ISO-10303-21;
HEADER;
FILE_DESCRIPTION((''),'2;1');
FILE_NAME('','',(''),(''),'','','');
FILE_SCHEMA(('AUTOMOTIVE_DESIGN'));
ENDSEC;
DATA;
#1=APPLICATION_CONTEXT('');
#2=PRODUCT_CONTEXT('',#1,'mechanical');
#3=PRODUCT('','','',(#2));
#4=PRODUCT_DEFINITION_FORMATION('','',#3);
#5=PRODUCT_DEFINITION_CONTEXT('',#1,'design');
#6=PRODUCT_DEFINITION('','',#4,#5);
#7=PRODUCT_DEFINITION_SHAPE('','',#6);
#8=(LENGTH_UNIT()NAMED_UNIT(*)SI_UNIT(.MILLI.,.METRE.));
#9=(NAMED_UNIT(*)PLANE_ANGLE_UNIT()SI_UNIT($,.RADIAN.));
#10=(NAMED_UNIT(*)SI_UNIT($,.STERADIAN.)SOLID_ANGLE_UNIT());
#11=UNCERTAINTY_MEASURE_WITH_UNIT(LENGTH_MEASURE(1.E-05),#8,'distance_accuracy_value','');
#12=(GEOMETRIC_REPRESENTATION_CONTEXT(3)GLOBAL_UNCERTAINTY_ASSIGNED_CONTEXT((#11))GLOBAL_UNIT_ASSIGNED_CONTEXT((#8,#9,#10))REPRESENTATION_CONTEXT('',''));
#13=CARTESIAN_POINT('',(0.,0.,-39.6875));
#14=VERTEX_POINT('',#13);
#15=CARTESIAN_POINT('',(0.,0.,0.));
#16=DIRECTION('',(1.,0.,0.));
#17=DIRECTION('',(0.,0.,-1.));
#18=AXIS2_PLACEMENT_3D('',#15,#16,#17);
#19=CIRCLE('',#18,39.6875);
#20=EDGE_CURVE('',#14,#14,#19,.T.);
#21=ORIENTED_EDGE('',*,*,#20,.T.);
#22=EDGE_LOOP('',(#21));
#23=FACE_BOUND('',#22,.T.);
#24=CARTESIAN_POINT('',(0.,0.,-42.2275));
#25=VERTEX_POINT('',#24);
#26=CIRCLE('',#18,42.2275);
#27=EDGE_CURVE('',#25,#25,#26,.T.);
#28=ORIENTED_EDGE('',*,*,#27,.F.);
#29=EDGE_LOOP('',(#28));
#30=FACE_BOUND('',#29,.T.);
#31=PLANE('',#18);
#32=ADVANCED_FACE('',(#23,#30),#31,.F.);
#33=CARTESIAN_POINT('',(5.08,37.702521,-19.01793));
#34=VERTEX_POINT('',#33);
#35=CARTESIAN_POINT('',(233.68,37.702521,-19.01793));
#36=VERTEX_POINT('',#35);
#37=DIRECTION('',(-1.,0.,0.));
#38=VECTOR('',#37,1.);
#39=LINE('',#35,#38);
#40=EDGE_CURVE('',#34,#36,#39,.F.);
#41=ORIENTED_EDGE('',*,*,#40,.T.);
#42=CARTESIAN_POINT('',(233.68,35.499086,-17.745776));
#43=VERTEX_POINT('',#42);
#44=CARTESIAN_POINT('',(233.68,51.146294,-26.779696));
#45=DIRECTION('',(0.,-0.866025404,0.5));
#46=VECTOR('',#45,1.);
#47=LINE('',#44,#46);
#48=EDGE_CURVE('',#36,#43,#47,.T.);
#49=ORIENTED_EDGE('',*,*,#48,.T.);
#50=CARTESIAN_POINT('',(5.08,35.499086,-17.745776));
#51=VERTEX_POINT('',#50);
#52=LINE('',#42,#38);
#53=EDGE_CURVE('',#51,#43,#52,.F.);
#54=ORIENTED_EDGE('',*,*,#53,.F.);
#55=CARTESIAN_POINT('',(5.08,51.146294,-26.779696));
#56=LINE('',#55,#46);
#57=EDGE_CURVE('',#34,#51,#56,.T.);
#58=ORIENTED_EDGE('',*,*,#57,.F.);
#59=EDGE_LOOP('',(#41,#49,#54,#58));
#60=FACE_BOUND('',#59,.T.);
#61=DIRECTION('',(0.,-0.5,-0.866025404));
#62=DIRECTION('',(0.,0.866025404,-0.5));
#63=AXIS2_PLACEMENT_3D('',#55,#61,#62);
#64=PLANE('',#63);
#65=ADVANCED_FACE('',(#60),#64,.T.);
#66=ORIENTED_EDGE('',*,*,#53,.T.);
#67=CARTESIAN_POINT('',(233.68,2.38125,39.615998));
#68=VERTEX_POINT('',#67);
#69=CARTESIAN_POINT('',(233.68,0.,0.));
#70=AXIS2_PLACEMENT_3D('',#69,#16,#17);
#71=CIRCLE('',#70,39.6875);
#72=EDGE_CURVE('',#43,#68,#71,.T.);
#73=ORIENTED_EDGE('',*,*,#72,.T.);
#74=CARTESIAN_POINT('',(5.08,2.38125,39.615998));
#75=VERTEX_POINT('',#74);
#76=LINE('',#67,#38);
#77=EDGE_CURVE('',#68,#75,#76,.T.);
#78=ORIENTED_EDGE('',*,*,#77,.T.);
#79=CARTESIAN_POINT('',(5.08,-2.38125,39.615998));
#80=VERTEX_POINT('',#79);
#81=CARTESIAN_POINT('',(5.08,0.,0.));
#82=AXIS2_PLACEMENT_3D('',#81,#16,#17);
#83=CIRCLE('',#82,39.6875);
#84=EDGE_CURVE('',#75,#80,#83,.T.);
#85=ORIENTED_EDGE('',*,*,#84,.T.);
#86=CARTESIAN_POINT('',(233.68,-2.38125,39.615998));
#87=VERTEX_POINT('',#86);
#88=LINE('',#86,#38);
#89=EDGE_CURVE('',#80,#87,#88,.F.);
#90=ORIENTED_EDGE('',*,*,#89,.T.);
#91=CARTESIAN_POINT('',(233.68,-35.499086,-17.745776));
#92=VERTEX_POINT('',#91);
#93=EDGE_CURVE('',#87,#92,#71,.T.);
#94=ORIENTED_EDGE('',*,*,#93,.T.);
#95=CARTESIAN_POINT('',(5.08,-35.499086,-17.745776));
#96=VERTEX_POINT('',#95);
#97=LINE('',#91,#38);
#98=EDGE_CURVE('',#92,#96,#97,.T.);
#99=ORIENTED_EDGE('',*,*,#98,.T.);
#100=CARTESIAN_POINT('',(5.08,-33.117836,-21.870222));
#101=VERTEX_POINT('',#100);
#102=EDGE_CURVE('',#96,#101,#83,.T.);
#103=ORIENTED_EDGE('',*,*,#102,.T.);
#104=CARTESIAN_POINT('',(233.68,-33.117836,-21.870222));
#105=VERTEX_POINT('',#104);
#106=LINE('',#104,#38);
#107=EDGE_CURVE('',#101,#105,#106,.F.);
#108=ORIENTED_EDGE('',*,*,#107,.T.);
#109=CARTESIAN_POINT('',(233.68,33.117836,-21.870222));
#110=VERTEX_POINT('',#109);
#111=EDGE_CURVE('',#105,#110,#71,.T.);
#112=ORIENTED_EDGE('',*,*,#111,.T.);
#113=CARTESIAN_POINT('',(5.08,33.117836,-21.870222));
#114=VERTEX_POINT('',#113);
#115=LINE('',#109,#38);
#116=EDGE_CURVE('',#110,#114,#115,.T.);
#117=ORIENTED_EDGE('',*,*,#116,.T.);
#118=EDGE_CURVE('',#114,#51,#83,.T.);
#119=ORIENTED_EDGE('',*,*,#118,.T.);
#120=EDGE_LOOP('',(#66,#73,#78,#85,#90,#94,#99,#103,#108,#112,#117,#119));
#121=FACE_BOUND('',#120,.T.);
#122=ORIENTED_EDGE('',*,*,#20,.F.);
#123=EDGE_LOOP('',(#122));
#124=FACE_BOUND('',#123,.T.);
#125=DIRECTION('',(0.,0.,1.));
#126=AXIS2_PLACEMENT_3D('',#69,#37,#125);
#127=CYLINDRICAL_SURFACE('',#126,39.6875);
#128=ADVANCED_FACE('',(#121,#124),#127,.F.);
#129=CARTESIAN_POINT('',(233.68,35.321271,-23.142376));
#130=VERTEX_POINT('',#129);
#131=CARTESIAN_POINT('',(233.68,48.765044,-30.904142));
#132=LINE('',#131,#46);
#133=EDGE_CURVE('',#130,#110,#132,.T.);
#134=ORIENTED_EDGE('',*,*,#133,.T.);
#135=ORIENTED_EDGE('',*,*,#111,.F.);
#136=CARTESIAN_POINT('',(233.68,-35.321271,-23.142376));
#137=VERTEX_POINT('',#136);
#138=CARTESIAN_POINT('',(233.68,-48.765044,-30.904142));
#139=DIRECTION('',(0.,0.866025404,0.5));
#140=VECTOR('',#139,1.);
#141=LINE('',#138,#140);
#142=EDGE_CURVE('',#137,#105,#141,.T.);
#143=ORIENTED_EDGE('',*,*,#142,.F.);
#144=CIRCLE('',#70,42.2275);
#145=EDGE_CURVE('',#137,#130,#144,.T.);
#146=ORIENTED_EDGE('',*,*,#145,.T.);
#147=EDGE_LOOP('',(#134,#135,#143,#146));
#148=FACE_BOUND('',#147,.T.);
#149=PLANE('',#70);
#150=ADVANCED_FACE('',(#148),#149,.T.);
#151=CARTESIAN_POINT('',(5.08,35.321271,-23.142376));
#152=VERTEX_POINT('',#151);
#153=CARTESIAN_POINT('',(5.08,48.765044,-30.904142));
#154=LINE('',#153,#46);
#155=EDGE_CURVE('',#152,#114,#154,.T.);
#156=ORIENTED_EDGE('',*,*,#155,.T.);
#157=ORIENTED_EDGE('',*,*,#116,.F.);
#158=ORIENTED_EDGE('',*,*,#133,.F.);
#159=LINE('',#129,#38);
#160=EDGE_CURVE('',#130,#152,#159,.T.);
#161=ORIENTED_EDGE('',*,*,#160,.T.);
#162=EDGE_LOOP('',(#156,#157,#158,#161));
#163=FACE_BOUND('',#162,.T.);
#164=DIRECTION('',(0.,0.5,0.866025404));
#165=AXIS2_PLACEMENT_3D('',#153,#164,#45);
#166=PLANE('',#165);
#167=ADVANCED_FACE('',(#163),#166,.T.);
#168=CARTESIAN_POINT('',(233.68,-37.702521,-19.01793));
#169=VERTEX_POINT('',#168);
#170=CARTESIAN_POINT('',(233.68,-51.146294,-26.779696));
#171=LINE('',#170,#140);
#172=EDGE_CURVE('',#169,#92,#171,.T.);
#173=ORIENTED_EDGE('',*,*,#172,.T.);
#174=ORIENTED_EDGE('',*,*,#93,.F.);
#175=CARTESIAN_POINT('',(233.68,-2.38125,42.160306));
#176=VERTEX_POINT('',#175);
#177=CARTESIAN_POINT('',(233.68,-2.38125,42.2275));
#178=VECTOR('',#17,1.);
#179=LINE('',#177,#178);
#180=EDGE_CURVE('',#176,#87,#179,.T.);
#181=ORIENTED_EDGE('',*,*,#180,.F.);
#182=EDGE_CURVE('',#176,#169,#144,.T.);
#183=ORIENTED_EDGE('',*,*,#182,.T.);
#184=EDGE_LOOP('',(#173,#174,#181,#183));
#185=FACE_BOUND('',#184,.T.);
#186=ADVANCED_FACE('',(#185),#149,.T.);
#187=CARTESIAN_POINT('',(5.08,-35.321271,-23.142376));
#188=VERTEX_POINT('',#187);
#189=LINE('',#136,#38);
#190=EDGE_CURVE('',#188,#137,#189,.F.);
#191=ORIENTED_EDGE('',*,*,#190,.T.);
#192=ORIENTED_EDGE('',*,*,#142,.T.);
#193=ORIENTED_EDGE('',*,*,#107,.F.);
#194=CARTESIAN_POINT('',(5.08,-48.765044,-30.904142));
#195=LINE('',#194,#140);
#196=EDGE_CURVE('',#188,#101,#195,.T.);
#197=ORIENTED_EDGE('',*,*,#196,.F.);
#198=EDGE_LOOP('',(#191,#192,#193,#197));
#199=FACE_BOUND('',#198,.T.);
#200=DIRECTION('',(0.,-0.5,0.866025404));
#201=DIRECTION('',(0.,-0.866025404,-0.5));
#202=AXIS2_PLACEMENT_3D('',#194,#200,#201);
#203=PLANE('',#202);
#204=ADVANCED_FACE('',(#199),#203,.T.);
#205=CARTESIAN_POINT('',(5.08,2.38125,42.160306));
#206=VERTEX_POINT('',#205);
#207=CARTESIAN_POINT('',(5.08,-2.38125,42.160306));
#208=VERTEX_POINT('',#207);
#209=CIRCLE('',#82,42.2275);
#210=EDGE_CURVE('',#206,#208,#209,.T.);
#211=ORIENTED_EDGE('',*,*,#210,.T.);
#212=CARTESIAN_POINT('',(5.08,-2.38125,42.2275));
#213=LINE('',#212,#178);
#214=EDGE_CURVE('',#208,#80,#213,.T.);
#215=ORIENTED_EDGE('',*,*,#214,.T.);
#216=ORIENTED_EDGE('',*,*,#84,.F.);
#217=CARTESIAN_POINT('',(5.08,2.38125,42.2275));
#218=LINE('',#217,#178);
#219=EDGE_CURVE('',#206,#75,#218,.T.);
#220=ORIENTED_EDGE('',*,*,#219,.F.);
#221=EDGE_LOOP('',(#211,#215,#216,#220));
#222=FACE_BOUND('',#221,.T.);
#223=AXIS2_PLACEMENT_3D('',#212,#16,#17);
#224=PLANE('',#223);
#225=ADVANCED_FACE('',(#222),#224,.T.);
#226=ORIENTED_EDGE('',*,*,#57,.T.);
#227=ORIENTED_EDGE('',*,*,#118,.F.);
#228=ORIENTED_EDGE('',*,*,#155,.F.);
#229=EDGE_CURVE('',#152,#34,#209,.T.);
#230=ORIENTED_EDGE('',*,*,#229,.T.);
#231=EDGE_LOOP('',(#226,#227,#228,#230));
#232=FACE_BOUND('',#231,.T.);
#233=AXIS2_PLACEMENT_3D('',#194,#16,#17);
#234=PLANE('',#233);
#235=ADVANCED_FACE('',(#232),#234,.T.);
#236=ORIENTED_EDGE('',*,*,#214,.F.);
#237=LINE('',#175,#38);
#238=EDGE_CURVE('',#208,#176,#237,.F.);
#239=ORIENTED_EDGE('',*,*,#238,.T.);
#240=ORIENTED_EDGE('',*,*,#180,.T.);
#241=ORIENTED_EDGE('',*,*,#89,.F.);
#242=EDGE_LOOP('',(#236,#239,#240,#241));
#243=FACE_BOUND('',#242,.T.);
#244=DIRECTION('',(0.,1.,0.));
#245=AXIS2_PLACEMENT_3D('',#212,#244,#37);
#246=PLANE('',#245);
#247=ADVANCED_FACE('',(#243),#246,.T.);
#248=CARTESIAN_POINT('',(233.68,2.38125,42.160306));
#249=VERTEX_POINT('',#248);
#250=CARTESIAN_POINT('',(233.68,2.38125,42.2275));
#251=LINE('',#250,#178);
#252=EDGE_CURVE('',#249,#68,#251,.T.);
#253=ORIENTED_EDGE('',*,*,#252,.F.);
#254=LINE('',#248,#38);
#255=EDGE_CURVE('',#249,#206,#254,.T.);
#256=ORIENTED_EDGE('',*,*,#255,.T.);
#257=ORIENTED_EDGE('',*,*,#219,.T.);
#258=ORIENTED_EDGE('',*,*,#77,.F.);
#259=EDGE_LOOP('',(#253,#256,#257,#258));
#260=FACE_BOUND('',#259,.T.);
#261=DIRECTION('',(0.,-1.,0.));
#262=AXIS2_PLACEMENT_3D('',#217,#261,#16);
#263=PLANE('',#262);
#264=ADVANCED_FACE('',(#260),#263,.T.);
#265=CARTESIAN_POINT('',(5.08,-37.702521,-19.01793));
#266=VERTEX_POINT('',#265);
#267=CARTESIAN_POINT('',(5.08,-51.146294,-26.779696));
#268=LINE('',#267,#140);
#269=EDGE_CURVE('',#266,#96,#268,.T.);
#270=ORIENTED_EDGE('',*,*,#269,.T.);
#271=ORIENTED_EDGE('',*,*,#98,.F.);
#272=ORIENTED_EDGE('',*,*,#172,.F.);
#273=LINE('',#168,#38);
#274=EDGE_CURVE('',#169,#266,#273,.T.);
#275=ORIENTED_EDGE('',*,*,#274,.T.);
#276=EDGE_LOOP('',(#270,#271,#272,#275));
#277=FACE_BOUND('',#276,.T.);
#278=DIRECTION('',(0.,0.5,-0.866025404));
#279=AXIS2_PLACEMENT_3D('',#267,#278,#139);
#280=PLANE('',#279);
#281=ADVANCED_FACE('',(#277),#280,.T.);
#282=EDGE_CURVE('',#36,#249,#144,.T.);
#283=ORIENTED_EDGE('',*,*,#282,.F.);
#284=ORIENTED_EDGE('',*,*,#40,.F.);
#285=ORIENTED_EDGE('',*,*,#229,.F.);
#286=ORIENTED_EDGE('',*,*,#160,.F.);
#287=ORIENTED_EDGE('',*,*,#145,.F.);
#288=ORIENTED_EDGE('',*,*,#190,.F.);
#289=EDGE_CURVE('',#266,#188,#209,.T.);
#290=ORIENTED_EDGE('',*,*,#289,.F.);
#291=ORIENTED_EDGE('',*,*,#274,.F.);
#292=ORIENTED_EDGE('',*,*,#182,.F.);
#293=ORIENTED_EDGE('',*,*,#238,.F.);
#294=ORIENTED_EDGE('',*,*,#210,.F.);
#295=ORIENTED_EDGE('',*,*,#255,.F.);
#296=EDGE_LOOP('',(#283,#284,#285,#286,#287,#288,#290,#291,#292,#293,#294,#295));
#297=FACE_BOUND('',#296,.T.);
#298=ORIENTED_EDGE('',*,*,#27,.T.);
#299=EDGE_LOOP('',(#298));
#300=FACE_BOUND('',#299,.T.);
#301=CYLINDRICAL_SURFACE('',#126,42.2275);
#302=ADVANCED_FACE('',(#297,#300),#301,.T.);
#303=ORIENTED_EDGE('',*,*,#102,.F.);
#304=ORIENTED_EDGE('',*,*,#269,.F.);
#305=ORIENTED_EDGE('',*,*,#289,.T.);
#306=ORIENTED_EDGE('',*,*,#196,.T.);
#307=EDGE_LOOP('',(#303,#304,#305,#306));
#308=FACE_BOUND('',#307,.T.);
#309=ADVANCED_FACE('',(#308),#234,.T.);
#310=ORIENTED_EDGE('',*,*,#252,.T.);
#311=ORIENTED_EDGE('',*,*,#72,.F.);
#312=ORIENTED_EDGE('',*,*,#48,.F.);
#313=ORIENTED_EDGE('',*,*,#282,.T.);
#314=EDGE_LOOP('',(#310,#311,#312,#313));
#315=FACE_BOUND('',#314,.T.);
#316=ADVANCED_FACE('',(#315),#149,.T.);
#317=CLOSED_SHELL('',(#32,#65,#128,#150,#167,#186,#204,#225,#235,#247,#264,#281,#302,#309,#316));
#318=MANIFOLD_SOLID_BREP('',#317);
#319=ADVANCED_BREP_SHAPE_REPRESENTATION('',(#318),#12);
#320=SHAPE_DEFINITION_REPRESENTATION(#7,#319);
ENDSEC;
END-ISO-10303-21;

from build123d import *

# Parameters (mm, degrees)
SKETCH1_R           = 42.2275
SKETCH1_R_2         = 39.6875
BOSS_EXTRUDE1_DEPTH = 233.68
SKETCH2_W           = 4.7625
SKETCH2_H           = 228.6
CUT_EXTRUDE1_DEPTH  = 242.190103264
CIRPATTERN1_COUNT   = 3


with BuildPart() as part:
    # Sketch1 → Boss-Extrude1 (new body)
    with BuildSketch(Plane.YZ):
        with Locations(Location((0, 0, 0), (0, 0, 90))):
            Circle(SKETCH1_R)
        with Locations(Location((0, 0, 0), (0, 0, 90))):
            Circle(SKETCH1_R_2, mode=Mode.SUBTRACT)
    extrude(amount=BOSS_EXTRUDE1_DEPTH)

    # Sketch2 → Cut-Extrude1 (cut, through all)
    with BuildSketch(Plane(origin=(0, 0, 0), x_dir=(0, 1, 0), z_dir=(0, 0, 1))):
        with Locations((0, -119.38)):
            Rectangle(SKETCH2_W, SKETCH2_H)
    cut_extrude1 = extrude(amount=CUT_EXTRUDE1_DEPTH, mode=Mode.SUBTRACT)

    # CirPattern1: Cut-Extrude1 ×3 about axis
    cirpattern1_axis = Axis((0, 0, 0), (1, 0, 0))
    for i in range(1, CIRPATTERN1_COUNT):
        add(cut_extrude1.rotate(cirpattern1_axis, i * 360 / CIRPATTERN1_COUNT), mode=Mode.SUBTRACT)


solid = part.part
